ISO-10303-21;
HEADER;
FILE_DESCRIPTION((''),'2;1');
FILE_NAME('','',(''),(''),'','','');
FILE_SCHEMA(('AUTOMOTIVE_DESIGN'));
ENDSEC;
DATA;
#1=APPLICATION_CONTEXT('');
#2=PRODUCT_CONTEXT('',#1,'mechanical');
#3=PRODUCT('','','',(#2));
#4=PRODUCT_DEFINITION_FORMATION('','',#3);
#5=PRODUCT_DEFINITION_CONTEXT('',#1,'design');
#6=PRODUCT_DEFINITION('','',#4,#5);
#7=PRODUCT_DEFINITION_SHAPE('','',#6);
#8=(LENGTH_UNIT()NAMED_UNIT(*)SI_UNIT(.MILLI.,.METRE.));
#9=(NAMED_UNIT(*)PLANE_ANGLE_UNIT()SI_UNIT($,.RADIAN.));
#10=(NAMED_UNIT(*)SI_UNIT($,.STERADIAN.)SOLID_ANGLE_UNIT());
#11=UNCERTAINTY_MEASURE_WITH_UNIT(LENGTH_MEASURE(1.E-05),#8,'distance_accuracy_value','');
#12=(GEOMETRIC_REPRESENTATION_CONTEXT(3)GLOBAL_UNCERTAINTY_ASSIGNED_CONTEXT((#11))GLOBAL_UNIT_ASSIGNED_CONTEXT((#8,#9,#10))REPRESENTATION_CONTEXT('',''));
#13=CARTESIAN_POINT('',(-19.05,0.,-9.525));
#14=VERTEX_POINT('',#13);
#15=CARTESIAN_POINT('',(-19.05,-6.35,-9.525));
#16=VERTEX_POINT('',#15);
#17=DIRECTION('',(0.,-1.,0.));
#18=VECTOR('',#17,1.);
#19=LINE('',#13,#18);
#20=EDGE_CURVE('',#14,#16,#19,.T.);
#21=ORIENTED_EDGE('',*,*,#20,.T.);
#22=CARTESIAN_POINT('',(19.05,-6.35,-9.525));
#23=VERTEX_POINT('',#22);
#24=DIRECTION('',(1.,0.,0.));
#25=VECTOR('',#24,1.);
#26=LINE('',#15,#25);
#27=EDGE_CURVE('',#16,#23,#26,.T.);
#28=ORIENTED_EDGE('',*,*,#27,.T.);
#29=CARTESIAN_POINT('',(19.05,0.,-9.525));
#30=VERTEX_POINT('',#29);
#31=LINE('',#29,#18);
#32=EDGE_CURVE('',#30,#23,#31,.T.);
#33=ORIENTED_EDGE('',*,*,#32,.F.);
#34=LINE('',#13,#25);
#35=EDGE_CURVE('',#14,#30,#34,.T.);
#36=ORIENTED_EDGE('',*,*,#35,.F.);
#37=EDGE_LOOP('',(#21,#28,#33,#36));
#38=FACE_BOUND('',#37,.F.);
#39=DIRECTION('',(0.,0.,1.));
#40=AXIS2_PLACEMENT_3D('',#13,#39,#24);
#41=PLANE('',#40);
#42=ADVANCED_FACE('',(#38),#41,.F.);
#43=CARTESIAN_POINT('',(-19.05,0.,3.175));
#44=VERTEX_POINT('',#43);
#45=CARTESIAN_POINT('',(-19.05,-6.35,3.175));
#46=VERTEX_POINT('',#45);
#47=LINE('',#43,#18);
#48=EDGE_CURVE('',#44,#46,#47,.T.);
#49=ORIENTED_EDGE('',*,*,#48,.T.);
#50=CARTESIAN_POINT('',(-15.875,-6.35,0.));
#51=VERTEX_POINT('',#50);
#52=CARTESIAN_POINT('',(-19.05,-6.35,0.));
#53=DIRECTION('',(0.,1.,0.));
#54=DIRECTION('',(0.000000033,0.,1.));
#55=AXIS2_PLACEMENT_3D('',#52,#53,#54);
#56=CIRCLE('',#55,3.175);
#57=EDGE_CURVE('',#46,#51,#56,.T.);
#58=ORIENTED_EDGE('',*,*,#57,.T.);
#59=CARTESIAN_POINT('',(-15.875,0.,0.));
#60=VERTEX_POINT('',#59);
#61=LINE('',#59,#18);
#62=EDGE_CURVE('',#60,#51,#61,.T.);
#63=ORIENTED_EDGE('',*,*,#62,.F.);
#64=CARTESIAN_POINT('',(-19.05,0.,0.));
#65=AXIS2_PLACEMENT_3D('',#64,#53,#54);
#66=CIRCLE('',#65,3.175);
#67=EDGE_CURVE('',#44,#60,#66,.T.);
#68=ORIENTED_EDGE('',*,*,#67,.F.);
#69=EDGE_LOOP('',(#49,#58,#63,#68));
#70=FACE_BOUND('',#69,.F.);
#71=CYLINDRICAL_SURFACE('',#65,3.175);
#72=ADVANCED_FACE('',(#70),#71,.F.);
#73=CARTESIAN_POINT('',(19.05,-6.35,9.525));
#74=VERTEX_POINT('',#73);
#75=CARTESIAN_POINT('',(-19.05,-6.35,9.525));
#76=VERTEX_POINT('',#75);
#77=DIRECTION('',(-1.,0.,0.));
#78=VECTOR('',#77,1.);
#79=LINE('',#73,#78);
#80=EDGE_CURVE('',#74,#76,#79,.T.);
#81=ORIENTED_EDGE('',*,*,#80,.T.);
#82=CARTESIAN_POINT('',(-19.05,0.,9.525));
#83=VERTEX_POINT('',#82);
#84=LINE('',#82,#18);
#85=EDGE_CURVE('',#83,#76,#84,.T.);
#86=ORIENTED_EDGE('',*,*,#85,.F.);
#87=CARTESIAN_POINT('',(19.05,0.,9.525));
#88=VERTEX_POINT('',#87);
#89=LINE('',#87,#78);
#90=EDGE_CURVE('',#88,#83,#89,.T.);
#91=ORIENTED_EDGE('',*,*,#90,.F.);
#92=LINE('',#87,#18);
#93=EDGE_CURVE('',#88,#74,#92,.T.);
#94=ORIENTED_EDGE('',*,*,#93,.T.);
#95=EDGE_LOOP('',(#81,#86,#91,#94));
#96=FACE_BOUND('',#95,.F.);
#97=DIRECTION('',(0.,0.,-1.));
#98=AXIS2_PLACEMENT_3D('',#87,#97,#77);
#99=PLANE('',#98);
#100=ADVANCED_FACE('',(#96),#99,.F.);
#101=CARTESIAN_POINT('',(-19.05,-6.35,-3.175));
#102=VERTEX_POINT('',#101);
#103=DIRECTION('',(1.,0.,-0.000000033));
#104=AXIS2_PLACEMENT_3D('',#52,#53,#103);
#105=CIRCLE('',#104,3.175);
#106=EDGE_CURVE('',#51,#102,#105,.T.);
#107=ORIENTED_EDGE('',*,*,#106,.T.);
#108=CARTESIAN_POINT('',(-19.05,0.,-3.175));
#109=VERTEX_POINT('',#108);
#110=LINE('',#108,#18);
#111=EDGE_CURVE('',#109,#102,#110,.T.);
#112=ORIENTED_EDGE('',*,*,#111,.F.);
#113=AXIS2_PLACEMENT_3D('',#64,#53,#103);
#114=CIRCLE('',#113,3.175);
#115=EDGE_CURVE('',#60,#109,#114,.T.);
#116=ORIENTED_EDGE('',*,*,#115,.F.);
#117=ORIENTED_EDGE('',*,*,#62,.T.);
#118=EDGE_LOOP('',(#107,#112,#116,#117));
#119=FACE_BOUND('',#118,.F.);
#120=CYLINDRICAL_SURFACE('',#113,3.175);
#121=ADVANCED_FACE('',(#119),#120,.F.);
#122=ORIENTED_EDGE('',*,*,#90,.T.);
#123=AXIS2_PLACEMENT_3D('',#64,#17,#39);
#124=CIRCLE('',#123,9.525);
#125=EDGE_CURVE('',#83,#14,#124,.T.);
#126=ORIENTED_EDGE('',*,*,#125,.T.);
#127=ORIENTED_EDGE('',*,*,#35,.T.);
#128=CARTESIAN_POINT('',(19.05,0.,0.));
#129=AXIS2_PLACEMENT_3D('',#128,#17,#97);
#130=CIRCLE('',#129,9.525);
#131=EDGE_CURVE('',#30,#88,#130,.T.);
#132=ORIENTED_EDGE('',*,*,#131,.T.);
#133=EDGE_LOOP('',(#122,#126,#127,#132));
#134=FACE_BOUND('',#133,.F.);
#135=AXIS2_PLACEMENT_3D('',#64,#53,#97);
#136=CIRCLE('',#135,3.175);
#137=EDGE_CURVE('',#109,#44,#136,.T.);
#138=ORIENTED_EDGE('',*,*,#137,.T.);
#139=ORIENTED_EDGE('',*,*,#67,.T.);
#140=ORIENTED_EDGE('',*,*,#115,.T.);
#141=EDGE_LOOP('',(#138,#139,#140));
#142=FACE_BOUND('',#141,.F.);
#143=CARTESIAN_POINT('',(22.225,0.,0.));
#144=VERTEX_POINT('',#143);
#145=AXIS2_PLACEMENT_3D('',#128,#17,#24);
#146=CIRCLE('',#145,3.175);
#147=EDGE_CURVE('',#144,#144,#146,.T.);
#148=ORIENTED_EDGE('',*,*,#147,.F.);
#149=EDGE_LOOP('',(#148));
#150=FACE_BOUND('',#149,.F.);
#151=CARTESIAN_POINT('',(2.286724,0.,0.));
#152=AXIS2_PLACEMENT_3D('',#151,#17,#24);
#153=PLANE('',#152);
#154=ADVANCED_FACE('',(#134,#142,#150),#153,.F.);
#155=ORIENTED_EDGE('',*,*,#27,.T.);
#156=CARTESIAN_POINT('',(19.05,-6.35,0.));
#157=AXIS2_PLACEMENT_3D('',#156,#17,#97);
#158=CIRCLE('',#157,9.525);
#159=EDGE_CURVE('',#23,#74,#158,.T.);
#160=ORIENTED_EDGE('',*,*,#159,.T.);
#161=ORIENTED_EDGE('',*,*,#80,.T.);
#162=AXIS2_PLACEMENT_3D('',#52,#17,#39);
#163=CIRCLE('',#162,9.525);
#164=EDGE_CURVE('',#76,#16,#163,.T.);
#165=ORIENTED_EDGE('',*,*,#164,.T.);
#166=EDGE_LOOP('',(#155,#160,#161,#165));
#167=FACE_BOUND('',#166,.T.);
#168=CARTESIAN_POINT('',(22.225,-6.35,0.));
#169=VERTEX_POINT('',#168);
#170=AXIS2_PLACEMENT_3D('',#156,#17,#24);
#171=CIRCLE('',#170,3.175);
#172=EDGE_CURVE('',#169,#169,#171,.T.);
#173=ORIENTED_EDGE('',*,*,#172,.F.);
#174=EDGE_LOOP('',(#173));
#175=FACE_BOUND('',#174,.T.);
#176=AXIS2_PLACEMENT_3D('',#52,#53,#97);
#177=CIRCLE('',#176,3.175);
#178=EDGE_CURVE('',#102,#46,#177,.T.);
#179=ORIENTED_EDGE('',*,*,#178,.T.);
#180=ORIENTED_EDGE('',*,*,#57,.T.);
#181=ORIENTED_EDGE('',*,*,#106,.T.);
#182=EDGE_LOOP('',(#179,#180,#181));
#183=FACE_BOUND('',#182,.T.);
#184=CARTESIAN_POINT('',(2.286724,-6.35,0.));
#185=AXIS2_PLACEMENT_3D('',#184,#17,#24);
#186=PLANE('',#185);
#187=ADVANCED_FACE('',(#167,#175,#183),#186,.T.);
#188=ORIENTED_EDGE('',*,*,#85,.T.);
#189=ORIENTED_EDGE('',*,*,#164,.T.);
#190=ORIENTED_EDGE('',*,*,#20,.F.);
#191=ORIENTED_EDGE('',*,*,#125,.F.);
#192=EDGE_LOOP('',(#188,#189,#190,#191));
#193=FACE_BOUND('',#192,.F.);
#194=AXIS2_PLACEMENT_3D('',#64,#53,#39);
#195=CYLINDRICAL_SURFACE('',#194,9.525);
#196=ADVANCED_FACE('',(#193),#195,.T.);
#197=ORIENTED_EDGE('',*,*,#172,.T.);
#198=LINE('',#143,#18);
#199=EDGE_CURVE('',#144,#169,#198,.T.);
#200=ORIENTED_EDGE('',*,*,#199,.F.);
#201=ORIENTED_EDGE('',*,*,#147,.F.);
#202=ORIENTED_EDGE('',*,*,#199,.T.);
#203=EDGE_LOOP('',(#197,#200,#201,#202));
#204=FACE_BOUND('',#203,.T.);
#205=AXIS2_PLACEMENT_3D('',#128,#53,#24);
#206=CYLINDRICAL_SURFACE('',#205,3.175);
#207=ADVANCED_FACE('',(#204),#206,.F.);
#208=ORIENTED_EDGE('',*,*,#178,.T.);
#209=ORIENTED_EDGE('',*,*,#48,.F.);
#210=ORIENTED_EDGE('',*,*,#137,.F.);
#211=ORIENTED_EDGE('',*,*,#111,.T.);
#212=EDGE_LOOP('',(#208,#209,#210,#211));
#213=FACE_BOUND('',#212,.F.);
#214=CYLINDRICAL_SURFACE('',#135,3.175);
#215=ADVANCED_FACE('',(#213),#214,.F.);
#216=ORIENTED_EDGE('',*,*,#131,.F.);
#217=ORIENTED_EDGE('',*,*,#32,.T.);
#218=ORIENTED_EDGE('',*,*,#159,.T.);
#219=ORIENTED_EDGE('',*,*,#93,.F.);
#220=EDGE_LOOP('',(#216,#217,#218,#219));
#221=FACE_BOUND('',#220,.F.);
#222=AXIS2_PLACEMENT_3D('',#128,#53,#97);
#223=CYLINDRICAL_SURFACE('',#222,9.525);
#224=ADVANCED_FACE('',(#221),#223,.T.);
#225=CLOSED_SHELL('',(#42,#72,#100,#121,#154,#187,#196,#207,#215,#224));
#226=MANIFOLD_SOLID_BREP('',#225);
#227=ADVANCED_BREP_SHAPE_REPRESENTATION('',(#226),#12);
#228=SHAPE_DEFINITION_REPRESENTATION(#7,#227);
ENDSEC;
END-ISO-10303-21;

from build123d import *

# Parameters (mm, degrees)
F0_R     = 3.175
F1_DEPTH = 6.35


with BuildPart() as f1:
    # F0 (on Front) → F1 (new body)
    with BuildSketch(Plane.XZ):
        with BuildLine():
            Line((19.05, 9.525), (-19.05, 9.525))
            Line((-19.05, 9.525), (-19.05, 3.175))
            ThreePointArc((-19.05, 3.175), (-16.804936, 2.245064), (-15.875, 0))
            ThreePointArc((-15.875, 0), (-16.804936, -2.245064), (-19.05, -3.175))
            Line((-19.05, -3.175), (-19.05, -9.525))
            Line((-19.05, -9.525), (19.05, -9.525))
            ThreePointArc((19.05, -9.525), (28.575, 0), (19.05, 9.525))
        make_face()
        with Locations((19.05, 0)):
            Circle(F0_R, mode=Mode.SUBTRACT)
        with BuildLine():
            Line((-19.05, 3.175), (-19.05, 9.525))
            ThreePointArc((-19.05, 9.525), (-28.575, 0), (-19.05, -9.525))
            Line((-19.05, -9.525), (-19.05, -3.175))
            ThreePointArc((-19.05, -3.175), (-22.225, 0), (-19.05, 3.175))
        make_face()
    extrude(amount=F1_DEPTH)


solid = f1.part
